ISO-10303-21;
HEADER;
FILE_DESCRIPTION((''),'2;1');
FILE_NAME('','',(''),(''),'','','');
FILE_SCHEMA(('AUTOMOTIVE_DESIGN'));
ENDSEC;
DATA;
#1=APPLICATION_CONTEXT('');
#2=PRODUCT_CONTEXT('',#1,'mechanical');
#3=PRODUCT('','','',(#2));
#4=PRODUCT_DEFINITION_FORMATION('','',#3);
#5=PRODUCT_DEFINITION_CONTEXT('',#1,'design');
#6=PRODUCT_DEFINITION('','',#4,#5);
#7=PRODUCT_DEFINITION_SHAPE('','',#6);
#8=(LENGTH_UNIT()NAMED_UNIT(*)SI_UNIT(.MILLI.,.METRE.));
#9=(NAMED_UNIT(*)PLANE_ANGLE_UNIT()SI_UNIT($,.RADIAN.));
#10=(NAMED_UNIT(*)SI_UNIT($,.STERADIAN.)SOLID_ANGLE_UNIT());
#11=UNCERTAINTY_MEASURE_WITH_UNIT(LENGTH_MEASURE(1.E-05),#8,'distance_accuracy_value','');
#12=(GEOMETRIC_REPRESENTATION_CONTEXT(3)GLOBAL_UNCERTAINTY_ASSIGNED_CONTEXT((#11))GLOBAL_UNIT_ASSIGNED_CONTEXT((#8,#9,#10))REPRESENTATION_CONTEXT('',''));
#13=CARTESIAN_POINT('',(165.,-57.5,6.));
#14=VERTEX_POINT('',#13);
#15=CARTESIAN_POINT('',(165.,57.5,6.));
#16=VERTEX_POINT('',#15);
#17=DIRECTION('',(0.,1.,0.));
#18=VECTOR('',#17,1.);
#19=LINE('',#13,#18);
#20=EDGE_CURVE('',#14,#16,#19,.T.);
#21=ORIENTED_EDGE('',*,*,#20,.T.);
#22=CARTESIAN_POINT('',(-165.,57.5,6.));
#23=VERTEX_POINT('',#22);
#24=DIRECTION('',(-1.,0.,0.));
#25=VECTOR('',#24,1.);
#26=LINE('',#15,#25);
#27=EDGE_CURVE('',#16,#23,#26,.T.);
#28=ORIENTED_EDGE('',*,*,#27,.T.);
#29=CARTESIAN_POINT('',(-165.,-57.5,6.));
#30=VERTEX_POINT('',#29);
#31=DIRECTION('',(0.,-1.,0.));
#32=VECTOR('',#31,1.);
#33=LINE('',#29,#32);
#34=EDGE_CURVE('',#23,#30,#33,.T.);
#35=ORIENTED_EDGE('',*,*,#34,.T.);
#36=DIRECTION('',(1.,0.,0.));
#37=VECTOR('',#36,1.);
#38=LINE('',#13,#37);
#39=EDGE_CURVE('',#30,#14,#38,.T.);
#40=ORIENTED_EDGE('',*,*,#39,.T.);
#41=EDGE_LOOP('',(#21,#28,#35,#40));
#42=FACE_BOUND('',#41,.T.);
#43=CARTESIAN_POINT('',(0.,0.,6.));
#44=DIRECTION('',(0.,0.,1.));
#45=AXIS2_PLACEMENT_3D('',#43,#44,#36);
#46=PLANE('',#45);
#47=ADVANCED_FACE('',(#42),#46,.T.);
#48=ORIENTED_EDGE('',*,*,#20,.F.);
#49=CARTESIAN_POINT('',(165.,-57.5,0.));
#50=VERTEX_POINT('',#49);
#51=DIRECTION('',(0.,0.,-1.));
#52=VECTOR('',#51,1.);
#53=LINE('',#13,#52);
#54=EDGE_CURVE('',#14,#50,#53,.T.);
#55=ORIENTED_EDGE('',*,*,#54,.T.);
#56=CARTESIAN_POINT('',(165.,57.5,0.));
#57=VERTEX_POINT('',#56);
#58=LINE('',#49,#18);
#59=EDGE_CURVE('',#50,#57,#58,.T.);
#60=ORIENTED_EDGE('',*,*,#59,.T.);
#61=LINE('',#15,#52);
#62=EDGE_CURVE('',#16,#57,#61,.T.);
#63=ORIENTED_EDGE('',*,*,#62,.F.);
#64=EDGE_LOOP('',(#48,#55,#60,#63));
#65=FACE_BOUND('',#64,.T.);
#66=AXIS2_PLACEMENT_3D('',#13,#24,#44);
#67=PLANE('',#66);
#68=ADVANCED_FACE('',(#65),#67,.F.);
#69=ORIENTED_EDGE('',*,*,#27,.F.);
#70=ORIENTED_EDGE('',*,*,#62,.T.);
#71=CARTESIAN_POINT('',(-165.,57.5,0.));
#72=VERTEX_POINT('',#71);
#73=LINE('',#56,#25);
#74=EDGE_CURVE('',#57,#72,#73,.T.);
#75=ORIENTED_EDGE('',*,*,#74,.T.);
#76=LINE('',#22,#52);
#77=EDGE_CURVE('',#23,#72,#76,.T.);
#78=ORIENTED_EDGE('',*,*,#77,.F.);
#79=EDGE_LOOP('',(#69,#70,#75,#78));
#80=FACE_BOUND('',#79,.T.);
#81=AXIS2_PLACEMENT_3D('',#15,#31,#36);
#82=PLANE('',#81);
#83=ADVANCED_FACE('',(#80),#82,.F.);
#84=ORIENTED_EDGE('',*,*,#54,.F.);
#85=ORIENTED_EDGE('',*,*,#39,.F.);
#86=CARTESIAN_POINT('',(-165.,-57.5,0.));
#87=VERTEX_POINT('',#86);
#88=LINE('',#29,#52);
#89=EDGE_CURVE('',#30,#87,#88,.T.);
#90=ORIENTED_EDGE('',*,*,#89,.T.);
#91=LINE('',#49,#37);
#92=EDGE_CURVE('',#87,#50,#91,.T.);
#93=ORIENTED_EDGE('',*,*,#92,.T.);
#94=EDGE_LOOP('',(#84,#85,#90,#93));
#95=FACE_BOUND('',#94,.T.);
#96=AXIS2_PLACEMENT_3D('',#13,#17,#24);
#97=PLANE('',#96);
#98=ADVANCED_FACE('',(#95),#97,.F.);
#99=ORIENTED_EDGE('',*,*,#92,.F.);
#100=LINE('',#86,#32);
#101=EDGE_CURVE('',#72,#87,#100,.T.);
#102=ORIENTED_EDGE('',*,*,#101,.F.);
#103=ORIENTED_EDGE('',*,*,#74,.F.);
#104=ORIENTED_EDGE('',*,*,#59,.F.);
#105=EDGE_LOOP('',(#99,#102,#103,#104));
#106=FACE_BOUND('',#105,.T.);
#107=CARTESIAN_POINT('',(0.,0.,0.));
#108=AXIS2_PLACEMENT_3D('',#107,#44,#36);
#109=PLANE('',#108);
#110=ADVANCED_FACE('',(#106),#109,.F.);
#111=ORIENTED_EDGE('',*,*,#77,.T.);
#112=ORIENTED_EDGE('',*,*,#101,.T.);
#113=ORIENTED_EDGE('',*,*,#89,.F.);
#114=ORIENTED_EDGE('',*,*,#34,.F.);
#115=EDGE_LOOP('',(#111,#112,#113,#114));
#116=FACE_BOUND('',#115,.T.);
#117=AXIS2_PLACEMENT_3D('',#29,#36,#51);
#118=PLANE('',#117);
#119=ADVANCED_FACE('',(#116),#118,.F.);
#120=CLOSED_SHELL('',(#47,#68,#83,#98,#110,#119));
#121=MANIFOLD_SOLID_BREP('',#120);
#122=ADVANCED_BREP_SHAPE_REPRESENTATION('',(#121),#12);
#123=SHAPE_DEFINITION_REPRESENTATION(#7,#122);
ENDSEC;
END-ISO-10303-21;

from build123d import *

# Parameters (mm, degrees)
ESQUISSE1_W        = 330
ESQUISSE1_H        = 115
BOSS_EXTRU_1_DEPTH = 6


with BuildPart() as part:
    # Esquisse1 → Boss.-Extru.1 (new body)
    with BuildSketch(Plane.XY):
        Rectangle(ESQUISSE1_W, ESQUISSE1_H)
    extrude(amount=BOSS_EXTRU_1_DEPTH)


solid = part.part
